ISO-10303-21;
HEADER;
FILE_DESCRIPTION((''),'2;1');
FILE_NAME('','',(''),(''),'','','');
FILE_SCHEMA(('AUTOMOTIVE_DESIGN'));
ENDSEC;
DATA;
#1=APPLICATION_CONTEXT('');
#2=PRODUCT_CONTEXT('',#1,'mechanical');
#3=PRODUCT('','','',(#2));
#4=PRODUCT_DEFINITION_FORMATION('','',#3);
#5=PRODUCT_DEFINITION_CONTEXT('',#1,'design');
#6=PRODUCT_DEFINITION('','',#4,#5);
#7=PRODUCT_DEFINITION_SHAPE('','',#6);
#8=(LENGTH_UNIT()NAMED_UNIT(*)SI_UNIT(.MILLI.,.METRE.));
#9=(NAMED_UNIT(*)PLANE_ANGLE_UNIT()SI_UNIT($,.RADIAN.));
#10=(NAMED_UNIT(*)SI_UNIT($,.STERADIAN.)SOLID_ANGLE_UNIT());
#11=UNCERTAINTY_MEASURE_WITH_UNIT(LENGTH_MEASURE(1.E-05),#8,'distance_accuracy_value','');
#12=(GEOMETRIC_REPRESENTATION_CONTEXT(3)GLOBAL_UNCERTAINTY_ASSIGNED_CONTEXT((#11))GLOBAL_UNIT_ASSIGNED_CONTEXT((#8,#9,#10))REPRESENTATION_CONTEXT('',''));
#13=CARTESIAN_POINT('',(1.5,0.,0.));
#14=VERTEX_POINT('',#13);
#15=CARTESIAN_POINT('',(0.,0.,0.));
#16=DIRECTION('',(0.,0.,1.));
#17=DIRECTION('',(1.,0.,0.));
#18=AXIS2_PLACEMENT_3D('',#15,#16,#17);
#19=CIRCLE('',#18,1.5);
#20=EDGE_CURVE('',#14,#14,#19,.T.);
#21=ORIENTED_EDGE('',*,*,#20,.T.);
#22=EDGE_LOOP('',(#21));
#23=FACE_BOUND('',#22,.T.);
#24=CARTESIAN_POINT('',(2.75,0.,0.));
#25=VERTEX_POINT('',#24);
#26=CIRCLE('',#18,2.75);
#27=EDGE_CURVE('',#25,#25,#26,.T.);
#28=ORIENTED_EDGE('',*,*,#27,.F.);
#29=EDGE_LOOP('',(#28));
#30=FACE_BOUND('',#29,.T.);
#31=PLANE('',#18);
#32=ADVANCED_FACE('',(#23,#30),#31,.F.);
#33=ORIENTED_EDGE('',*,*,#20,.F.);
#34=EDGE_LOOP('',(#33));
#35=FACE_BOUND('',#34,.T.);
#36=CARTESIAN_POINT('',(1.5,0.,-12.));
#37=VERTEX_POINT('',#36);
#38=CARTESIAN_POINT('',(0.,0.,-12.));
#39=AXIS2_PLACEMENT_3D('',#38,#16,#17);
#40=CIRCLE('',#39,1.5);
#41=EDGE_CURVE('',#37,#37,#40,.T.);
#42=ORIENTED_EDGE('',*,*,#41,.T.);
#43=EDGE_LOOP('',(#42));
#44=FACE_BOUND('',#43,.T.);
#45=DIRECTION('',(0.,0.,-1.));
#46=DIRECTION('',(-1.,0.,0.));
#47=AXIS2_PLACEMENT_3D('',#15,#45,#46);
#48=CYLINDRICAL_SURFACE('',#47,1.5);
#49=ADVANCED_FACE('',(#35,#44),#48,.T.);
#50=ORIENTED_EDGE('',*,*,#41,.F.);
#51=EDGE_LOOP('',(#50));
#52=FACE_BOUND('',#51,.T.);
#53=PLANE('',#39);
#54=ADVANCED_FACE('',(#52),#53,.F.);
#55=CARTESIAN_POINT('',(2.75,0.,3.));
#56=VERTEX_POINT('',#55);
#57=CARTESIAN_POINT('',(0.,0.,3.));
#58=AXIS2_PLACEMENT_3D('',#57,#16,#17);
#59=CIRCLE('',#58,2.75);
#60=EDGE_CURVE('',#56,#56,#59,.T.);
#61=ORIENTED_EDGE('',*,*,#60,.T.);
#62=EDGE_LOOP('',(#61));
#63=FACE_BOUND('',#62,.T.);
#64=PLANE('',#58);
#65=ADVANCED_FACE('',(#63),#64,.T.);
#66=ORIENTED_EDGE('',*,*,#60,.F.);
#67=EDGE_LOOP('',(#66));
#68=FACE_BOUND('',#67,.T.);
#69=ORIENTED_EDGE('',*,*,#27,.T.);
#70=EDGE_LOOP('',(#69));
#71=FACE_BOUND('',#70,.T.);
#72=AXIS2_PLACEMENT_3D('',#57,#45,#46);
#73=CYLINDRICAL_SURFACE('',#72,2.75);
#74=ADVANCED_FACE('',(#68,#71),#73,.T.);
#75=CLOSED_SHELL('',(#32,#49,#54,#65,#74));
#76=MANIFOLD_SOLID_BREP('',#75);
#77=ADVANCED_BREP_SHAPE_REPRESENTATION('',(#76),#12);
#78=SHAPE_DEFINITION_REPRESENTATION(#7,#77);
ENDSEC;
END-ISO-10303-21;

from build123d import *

# Parameters (mm, degrees)
NOMINAL_SHANK_START    = -12
SKETCH_NOMINAL_SHANK_R = 1.5
NOMINAL_SHANK_DEPTH    = 12
SKETCH_HEAD_R          = 2.75
HEAD_DEPTH             = 3


with BuildPart() as part:
    # Sketch_Nominal_shank → Nominal_shank (new body)
    with BuildSketch(Plane.XY.offset(NOMINAL_SHANK_START)):
        Circle(SKETCH_NOMINAL_SHANK_R)
    extrude(amount=NOMINAL_SHANK_DEPTH)

    # Sketch_Head → Head (add)
    with BuildSketch(Plane.XY):
        Circle(SKETCH_HEAD_R)
    extrude(amount=HEAD_DEPTH)


solid = part.part
